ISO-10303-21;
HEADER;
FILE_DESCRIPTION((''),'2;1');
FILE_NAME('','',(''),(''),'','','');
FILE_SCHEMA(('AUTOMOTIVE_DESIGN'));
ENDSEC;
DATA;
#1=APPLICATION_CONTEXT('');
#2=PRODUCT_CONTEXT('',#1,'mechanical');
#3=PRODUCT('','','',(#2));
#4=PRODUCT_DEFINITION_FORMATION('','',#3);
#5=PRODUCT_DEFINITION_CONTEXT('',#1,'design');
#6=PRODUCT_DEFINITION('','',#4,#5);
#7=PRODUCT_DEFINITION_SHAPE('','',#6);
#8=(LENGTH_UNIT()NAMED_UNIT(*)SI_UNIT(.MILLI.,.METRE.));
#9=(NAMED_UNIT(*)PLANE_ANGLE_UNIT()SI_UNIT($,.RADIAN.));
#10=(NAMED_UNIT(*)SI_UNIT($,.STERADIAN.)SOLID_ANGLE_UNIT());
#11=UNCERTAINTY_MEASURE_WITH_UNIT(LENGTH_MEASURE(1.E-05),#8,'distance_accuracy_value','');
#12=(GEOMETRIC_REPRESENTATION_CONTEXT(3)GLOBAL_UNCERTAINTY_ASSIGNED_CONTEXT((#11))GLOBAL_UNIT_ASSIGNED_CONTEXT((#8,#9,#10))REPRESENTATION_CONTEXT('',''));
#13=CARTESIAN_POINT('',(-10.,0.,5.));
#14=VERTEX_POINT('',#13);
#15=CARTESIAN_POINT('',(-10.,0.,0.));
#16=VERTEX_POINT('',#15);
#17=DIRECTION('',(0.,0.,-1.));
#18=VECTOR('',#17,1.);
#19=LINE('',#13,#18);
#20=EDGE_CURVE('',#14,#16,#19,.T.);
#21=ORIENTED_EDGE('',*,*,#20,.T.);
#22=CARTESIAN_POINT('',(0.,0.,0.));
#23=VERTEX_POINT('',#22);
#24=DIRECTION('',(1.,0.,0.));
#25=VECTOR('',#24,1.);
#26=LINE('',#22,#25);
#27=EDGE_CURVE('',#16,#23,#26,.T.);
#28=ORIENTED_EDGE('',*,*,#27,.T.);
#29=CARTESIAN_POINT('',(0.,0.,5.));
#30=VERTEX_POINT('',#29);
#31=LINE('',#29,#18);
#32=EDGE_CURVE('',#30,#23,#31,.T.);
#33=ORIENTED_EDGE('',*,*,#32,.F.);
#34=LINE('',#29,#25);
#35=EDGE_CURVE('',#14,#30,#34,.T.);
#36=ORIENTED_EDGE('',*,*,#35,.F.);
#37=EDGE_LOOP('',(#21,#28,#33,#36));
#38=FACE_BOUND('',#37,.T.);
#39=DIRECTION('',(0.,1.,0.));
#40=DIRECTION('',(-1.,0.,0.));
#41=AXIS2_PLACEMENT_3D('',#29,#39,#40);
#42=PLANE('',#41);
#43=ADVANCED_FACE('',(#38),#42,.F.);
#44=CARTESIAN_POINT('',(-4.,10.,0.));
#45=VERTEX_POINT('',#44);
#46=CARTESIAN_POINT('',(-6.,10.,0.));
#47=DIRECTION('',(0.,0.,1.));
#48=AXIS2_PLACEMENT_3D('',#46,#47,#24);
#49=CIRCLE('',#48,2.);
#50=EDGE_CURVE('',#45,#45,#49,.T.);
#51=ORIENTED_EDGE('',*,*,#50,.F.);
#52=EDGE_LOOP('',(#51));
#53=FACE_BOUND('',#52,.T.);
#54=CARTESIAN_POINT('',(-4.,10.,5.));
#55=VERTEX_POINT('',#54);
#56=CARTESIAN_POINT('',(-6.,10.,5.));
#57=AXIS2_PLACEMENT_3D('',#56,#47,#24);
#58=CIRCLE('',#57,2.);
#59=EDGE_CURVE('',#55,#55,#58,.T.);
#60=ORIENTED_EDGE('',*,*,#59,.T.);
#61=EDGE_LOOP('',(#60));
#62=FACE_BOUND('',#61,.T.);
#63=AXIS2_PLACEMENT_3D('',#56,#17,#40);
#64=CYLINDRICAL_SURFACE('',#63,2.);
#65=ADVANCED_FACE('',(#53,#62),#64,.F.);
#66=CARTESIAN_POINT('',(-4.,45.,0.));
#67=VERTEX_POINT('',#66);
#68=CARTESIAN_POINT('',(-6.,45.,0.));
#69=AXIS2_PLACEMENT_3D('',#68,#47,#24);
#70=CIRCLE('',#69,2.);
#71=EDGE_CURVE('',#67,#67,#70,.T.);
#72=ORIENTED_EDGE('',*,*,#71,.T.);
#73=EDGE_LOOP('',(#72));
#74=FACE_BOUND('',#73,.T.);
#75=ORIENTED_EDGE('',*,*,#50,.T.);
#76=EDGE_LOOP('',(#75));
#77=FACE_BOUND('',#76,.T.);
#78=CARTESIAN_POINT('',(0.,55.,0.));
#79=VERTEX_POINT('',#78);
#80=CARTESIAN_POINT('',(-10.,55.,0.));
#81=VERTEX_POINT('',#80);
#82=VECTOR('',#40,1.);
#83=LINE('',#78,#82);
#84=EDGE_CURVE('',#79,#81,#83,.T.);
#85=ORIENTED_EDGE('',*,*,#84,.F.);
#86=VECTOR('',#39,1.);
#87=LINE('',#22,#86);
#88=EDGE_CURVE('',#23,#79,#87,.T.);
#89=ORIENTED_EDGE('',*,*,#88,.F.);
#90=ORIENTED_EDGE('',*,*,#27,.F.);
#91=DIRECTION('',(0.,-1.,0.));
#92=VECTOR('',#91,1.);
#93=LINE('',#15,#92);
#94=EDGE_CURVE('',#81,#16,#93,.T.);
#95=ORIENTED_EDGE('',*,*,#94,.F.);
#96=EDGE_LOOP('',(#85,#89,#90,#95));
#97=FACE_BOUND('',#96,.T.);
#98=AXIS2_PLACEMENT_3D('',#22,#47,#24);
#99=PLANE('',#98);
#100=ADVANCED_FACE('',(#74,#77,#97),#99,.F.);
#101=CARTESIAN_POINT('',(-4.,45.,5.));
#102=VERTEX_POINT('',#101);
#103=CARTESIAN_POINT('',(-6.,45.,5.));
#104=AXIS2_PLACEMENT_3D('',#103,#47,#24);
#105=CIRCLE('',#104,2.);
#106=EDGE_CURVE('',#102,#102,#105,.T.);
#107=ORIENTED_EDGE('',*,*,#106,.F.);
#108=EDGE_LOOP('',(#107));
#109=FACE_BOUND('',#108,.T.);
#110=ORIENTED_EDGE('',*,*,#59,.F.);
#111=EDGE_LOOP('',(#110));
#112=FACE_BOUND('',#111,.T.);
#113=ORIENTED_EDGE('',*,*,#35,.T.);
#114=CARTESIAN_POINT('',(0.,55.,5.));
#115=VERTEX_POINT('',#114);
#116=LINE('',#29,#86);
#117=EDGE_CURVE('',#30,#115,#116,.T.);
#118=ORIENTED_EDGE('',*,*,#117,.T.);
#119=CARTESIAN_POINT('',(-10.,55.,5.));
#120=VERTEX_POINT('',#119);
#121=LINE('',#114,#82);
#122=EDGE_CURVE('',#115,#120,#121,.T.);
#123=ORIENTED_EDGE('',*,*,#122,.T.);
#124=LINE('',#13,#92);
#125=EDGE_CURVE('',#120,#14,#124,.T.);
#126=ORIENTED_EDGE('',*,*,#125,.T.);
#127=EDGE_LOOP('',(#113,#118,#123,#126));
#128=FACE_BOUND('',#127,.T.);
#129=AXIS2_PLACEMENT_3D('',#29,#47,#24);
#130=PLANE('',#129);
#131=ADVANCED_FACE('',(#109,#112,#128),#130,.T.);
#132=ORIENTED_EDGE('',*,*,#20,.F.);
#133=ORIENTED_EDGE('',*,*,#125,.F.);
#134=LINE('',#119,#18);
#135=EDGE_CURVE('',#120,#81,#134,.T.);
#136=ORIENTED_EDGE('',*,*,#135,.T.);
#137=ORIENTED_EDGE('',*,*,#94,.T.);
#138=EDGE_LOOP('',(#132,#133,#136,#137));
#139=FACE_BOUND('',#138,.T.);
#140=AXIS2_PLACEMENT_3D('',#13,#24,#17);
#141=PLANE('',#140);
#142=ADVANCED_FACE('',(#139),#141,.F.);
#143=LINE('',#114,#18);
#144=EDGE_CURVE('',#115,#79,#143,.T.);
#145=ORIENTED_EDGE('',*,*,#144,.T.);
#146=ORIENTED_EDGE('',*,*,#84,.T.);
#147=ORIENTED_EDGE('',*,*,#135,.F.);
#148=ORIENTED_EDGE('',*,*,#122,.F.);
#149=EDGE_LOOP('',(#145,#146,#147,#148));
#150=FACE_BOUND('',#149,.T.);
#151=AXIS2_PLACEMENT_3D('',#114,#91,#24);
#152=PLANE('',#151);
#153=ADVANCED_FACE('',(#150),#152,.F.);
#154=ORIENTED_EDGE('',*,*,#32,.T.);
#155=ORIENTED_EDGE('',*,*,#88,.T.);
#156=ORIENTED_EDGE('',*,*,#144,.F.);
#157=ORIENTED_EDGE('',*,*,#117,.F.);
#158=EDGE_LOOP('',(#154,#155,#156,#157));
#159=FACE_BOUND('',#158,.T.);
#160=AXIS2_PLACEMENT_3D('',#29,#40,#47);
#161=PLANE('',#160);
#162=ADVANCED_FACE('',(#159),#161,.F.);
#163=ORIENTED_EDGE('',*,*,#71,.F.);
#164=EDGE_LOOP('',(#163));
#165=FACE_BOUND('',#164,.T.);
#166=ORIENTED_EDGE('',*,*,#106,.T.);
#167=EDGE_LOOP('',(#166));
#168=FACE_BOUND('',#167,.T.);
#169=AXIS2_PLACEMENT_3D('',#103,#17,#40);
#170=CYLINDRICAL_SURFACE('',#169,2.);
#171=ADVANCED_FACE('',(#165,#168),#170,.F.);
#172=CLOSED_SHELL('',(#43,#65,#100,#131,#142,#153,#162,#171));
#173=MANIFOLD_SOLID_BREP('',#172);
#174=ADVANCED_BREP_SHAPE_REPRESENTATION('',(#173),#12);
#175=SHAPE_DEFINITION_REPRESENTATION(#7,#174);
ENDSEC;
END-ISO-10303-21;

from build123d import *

# Parameters (mm, degrees)
SKETCH1_W           = 10
SKETCH1_H           = 55
SKETCH1_R           = 2
BOSS_EXTRUDE1_DEPTH = 5


with BuildPart() as part:
    # Sketch1 → Boss-Extrude1 (new body)
    with BuildSketch(Plane.XY):
        with Locations((-5, 27.5)):
            Rectangle(SKETCH1_W, SKETCH1_H)
        with Locations((-6, 45)):
            Circle(SKETCH1_R, mode=Mode.SUBTRACT)
        with Locations((-6, 10)):
            Circle(SKETCH1_R, mode=Mode.SUBTRACT)
    extrude(amount=BOSS_EXTRUDE1_DEPTH)


solid = part.part
